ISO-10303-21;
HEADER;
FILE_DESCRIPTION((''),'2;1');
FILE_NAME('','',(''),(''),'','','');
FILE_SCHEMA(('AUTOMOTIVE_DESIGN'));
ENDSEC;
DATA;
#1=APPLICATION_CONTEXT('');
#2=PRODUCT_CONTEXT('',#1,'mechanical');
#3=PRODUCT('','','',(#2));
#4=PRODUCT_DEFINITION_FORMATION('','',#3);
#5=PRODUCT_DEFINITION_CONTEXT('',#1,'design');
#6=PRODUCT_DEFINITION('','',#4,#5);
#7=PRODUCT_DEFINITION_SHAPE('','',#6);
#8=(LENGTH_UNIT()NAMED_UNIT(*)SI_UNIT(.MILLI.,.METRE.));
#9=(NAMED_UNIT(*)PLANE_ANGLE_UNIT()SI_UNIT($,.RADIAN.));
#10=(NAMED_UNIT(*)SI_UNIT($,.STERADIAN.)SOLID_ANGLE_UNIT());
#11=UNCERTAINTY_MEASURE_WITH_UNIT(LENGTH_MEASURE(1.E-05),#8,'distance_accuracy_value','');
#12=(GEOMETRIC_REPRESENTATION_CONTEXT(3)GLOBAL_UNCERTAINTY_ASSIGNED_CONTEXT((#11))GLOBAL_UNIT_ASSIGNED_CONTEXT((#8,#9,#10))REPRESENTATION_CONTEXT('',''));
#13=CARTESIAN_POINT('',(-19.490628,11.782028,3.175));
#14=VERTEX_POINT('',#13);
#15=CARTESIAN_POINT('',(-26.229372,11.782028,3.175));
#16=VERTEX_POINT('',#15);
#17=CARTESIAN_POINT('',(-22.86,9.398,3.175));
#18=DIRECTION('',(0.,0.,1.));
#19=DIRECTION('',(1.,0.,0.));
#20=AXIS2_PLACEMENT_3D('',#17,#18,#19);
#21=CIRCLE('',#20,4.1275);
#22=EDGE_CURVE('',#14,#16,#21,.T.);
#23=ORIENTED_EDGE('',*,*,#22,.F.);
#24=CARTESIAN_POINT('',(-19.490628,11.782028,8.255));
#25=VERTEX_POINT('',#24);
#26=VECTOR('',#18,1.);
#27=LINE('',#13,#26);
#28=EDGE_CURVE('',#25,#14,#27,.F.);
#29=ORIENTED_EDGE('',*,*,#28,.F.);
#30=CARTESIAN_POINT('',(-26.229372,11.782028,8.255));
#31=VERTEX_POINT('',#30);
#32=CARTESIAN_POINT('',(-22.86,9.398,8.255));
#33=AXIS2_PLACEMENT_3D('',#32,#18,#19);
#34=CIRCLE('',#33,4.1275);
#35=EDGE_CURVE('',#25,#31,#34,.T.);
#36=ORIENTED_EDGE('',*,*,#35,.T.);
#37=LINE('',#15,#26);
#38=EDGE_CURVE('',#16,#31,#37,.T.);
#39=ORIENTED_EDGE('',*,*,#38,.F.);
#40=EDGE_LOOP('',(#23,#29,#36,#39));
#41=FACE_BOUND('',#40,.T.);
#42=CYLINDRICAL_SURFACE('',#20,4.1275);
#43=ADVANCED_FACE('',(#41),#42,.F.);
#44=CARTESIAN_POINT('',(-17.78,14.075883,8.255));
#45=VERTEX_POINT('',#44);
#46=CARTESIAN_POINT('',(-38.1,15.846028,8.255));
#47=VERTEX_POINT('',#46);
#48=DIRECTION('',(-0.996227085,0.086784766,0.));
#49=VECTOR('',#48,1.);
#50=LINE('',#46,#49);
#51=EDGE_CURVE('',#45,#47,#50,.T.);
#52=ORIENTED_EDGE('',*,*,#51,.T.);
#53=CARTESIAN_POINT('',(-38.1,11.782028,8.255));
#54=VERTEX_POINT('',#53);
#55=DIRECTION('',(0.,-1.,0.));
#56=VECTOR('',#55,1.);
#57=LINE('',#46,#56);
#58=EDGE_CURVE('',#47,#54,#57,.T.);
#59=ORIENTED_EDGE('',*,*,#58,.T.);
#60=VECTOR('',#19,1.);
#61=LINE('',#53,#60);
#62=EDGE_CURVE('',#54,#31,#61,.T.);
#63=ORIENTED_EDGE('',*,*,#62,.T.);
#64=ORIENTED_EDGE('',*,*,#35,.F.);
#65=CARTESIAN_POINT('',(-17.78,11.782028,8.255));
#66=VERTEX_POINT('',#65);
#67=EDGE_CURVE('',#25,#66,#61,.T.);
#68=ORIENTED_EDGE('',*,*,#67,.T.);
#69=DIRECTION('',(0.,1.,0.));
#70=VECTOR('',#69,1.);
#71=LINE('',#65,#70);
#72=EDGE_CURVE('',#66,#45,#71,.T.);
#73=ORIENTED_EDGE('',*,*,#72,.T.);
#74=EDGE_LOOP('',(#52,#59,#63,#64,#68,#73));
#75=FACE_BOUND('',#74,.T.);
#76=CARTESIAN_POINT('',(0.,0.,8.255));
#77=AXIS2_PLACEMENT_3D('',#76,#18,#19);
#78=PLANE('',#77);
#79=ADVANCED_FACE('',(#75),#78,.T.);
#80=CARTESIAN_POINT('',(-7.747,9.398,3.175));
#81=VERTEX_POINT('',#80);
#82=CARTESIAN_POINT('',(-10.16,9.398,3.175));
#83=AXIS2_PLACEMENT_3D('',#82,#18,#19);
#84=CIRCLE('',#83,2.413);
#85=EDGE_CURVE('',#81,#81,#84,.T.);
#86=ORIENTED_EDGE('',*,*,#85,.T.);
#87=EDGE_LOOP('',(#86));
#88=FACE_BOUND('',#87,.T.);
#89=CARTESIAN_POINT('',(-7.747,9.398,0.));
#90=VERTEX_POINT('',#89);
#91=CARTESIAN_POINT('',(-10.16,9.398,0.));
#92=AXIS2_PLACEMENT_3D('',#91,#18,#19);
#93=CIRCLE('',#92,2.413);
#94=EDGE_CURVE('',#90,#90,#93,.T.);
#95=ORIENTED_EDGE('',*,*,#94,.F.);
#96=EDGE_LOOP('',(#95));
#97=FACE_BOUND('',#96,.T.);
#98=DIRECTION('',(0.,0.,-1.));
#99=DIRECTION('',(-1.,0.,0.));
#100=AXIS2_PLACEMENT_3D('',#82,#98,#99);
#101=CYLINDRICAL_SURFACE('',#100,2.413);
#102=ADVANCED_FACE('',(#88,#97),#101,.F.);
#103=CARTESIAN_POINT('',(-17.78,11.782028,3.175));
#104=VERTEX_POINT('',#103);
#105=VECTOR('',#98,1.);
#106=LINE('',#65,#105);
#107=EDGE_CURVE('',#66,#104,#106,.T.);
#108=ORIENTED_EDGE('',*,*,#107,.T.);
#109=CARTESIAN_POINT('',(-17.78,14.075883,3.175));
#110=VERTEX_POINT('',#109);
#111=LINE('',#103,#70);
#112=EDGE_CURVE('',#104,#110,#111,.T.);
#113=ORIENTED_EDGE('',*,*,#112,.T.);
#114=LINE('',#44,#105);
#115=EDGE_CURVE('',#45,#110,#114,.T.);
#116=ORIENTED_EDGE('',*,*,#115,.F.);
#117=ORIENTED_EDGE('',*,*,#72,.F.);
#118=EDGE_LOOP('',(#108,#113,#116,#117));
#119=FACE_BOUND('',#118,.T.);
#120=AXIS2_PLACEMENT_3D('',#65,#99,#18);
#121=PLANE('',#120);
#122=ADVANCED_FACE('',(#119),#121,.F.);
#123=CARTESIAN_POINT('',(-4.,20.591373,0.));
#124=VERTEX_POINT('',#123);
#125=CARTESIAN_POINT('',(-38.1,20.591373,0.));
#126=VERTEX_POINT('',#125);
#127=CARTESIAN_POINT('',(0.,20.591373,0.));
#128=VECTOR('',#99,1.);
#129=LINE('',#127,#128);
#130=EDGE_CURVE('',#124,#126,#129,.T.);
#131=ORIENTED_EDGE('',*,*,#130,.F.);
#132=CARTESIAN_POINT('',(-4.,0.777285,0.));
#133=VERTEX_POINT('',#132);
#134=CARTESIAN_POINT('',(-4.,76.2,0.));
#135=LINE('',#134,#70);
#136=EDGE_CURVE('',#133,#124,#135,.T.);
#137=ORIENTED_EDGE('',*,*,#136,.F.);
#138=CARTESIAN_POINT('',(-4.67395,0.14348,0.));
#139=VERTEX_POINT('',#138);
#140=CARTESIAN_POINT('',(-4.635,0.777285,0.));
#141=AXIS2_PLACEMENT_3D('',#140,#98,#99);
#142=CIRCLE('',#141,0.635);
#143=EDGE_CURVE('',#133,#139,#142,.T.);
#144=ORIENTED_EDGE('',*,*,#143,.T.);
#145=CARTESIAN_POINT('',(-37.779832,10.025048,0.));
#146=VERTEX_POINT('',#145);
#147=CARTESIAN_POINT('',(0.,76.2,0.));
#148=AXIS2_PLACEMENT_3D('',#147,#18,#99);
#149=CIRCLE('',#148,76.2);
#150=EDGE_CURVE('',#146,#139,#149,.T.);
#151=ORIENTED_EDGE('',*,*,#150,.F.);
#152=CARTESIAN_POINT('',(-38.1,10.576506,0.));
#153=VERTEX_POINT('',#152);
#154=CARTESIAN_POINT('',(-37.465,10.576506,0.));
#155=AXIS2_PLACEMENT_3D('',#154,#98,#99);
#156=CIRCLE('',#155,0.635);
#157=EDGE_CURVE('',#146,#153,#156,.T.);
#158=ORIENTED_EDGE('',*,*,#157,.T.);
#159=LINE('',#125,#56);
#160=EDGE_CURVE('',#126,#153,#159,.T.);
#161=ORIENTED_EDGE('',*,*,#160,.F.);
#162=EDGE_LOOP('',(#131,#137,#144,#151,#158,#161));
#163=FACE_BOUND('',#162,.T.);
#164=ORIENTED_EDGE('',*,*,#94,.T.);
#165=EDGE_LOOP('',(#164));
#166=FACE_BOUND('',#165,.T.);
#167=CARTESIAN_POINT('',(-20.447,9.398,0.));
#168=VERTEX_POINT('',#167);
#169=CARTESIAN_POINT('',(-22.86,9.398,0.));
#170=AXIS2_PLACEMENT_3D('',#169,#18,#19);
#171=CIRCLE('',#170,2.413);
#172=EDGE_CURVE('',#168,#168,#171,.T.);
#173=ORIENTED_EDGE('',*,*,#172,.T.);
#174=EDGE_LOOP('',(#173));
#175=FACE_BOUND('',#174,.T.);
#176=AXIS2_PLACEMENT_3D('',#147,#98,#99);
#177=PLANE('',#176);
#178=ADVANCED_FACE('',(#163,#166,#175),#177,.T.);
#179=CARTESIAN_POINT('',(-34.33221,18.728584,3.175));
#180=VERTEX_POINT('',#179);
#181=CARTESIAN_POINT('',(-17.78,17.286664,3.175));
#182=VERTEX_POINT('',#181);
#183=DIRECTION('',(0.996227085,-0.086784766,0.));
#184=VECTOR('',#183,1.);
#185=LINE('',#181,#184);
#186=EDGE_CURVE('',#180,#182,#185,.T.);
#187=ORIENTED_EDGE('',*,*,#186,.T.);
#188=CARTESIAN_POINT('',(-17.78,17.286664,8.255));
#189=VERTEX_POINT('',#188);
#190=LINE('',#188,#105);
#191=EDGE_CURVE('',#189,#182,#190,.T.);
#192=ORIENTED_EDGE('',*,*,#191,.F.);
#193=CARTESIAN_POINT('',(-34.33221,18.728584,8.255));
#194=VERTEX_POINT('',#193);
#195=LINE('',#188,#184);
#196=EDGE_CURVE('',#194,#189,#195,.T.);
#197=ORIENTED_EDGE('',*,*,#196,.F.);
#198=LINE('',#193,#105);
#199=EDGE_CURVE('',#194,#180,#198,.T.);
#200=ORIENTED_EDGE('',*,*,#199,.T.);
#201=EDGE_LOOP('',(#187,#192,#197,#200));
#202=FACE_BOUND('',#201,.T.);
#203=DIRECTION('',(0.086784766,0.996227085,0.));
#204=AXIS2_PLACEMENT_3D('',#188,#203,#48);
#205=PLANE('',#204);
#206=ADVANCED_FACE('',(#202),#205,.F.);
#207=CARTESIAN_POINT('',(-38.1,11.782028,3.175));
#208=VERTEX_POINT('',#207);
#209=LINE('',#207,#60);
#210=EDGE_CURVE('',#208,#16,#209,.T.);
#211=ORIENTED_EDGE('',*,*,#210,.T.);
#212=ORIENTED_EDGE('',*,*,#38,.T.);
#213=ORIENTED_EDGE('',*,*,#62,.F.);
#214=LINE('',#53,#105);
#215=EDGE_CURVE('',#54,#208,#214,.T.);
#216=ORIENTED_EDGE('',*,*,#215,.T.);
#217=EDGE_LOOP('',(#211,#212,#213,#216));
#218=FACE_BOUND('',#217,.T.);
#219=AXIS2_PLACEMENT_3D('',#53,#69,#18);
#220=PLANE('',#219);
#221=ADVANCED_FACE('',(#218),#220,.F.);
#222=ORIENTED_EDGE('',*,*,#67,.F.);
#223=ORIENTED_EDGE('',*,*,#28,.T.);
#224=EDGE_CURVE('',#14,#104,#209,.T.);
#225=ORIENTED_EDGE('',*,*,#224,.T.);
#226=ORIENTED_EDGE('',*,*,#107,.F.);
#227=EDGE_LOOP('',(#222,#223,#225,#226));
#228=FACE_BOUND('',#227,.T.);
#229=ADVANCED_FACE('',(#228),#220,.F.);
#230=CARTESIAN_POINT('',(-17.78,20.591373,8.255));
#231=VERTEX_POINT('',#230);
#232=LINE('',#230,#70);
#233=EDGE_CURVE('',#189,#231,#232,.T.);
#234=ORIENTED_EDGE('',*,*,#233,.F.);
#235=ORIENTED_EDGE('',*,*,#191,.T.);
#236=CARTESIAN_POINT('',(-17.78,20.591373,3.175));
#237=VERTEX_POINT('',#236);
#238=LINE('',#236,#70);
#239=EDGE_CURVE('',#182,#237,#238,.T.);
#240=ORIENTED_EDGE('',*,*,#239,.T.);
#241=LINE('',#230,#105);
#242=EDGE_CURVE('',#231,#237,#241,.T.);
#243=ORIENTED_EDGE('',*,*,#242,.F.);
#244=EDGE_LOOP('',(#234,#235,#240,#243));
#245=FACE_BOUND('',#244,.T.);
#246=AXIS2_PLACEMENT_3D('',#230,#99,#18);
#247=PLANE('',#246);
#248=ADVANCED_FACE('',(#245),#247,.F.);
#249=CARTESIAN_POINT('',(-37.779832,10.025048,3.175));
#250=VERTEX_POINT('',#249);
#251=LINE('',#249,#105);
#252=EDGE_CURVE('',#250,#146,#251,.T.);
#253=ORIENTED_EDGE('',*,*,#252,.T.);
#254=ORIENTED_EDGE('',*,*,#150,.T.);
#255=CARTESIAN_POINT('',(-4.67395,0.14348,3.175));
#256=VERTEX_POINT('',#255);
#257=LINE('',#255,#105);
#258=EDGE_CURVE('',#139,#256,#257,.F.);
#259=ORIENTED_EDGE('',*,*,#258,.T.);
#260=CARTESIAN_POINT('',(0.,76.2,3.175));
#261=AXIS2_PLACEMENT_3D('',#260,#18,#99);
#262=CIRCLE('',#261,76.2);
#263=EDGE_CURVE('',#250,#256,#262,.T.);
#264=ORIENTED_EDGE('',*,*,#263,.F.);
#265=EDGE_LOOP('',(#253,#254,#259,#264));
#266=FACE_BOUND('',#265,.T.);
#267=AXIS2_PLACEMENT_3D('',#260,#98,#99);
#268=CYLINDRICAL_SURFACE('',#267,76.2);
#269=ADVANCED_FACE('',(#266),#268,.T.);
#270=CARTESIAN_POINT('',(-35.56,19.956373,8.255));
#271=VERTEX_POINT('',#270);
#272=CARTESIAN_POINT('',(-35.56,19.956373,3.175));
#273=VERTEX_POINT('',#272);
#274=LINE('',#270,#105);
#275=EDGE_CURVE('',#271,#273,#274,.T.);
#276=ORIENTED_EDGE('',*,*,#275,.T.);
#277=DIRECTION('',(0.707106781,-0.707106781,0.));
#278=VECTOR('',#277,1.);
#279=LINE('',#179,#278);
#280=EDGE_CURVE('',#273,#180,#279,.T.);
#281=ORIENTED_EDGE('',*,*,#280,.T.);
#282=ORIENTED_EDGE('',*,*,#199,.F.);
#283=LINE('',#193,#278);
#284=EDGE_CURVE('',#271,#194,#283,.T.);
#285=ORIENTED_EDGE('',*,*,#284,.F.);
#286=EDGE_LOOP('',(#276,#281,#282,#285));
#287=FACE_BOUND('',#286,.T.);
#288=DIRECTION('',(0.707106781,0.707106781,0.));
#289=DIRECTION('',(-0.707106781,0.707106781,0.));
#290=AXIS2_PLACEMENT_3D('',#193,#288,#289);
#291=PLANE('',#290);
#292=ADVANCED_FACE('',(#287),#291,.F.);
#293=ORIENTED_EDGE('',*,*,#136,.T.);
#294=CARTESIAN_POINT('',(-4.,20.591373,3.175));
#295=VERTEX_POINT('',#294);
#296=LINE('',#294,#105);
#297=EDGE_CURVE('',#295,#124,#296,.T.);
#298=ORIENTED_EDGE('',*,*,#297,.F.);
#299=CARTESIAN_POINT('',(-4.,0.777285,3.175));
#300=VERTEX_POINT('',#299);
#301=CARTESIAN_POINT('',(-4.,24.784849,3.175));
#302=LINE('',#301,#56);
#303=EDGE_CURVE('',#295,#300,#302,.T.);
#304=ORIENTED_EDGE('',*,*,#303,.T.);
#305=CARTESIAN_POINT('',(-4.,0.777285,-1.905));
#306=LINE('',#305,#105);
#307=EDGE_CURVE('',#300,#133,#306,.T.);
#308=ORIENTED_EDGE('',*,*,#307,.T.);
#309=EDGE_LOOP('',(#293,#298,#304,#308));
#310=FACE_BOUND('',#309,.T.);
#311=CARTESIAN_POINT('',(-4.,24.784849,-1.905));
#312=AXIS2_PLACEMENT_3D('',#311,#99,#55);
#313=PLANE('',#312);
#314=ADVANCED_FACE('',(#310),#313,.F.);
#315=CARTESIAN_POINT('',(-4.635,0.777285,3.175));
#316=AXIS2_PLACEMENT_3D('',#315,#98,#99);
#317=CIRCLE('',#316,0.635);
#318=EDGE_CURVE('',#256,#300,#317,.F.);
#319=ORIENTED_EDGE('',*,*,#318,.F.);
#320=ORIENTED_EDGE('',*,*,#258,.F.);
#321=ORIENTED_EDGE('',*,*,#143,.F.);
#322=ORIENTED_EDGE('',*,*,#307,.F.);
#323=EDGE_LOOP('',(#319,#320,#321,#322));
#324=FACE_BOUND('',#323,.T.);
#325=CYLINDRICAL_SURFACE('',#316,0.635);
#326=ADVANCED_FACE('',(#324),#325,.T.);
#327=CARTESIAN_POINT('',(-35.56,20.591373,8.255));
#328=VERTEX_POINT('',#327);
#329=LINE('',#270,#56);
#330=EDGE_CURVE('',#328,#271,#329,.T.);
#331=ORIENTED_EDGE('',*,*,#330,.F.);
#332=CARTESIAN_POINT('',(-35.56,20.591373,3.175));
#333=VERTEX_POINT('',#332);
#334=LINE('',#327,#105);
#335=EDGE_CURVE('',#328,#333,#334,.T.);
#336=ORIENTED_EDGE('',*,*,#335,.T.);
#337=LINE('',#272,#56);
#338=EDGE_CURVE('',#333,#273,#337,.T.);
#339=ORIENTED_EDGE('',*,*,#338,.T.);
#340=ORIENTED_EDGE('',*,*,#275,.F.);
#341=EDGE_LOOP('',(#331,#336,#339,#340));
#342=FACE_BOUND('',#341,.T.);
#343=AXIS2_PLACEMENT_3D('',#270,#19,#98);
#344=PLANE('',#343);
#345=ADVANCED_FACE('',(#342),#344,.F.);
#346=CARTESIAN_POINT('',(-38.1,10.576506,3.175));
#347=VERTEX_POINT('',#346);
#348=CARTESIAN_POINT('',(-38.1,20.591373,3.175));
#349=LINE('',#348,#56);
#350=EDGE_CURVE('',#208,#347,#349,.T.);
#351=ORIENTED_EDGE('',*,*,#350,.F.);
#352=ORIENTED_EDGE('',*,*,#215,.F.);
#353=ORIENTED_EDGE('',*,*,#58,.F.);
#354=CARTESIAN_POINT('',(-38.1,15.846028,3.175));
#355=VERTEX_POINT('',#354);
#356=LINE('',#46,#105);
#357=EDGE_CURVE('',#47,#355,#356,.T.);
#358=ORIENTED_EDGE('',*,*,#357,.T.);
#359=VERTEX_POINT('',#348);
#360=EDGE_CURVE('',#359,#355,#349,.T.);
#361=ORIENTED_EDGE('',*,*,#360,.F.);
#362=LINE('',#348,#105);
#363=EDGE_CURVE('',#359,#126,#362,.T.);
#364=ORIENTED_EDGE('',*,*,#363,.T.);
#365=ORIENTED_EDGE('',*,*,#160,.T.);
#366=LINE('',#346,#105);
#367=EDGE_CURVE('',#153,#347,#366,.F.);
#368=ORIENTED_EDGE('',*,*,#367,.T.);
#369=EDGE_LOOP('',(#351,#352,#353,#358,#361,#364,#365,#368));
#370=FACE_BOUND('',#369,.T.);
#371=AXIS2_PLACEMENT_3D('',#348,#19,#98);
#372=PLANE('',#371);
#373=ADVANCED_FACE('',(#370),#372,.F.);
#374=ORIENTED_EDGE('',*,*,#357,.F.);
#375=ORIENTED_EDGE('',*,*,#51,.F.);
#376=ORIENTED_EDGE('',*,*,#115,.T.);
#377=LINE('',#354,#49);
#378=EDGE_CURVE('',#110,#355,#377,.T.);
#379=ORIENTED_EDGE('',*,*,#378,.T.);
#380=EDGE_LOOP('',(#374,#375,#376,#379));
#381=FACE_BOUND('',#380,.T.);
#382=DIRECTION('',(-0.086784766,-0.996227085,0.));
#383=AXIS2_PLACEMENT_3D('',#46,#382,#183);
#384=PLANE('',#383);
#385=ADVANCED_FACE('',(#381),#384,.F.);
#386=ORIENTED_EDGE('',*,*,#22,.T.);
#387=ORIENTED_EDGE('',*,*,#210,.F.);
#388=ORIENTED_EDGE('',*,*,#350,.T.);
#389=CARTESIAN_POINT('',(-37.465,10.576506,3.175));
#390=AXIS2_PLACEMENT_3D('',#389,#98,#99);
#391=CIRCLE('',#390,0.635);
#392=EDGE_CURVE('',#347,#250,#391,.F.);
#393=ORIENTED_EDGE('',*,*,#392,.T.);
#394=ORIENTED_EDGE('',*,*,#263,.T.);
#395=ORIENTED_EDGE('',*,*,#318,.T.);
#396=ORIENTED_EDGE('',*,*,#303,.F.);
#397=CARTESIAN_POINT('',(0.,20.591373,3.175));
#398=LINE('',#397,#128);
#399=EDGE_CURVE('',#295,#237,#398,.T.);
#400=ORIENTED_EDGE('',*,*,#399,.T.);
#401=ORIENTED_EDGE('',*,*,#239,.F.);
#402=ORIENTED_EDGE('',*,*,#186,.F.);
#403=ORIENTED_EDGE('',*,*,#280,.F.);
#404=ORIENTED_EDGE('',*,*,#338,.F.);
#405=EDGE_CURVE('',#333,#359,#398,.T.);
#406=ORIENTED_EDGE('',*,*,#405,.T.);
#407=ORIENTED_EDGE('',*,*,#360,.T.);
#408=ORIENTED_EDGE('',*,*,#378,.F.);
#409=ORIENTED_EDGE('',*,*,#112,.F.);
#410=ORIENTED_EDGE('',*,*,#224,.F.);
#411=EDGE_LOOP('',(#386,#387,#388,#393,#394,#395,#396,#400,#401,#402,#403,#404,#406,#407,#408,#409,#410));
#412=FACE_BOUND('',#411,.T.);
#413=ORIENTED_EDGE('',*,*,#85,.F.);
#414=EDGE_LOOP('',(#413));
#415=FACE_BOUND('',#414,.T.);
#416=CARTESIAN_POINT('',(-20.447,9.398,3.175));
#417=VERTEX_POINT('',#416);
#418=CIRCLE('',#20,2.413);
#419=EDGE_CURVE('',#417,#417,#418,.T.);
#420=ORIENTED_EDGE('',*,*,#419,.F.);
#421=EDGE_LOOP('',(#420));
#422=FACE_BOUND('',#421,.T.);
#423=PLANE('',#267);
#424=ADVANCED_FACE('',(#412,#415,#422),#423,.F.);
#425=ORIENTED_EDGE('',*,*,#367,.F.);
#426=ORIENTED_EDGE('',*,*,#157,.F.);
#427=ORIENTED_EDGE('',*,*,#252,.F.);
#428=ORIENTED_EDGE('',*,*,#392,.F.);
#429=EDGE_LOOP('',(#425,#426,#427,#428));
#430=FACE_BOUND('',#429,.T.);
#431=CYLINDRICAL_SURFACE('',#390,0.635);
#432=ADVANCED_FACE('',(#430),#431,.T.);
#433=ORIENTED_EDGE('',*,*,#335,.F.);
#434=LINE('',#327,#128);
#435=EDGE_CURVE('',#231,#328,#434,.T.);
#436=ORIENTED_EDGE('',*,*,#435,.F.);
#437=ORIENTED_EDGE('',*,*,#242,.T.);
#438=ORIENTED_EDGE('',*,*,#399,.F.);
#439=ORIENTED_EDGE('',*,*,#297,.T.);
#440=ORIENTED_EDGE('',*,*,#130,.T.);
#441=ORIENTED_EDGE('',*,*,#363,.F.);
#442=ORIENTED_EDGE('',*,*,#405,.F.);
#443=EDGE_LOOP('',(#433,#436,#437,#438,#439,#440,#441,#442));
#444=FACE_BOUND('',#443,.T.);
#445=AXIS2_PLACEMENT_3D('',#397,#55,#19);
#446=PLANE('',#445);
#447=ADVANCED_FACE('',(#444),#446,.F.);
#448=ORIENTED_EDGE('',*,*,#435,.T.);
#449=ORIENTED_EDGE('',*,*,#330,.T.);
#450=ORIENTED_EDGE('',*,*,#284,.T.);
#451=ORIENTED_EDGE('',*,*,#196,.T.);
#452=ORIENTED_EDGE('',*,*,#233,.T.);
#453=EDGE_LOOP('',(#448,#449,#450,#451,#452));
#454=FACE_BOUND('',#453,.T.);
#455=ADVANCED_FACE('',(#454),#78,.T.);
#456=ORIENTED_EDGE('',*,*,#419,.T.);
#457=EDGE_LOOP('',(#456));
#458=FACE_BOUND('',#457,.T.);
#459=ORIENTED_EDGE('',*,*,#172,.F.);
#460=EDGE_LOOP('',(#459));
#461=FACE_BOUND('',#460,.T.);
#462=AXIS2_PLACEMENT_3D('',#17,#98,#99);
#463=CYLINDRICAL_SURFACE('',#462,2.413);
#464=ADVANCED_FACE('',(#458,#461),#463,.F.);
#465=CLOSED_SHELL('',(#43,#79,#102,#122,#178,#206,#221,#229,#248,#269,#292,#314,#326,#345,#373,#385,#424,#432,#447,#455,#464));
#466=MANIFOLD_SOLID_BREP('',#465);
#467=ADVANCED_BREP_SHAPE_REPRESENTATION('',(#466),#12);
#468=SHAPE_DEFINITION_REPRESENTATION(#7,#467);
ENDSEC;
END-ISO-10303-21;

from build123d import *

# Parameters (mm, degrees)
SKETCH1_R           = 2.413
BOSS_EXTRUDE1_DEPTH = 3.175
BOSS_EXTRUDE2_DEPTH = 5.08
SKETCH4_W           = 4
SKETCH4_H           = 24.78484928
CUT_EXTRUDE2_DEPTH  = 5.08
FILLET1_R           = 0.635
SKETCH5_R           = 4.1275
CUT_EXTRUDE3_DEPTH  = 5.08


with BuildPart() as part:
    # Sketch1 → Boss-Extrude1 (new body)
    with BuildSketch(Plane.XY):
        with BuildLine():
            Line((0, 20.591373255), (-38.1, 20.591373255))
            Line((-38.1, 20.591373255), (-38.1, 10.208864232))
            ThreePointArc((-38.1, 10.208864232), (-19.722011237, 2.596452037), (0, 0))
            Line((0, 0), (0, 20.591373255))
        make_face()
        with Locations((-10.16, 9.398)):
            Circle(SKETCH1_R, mode=Mode.SUBTRACT)
        with Locations((-22.86, 9.398)):
            Circle(SKETCH1_R, mode=Mode.SUBTRACT)
    extrude(amount=BOSS_EXTRUDE1_DEPTH)

    # Sketch2 → Boss-Extrude2 (add)
    with BuildSketch(Plane.XY.offset(3.175)):
        Polygon((-38.1, 15.846028276), (-17.78, 14.075883223), (-17.78, 11.782028276), (-38.1, 11.782028276), align=None)
        Polygon((-17.78, 17.286663737), (-34.332210433, 18.728583688), (-35.56, 19.956373255), (-35.56, 20.591373255), (-17.78, 20.591373255), align=None)
    extrude(amount=BOSS_EXTRUDE2_DEPTH)

    # Sketch4 → Cut-Extrude2 (cut)
    with BuildSketch(Plane.XY.offset(3.175)):
        with Locations((-2, 12.39242464)):
            Rectangle(SKETCH4_W, SKETCH4_H)
    extrude(amount=-CUT_EXTRUDE2_DEPTH, mode=Mode.SUBTRACT)

    # Fillet1
    fillet1_edges = [part.edges().sort_by_distance(p)[0] for p in [
        (-4, 0.105059301, 1.5875),
        (-38.1, 10.208864232, 1.5875),
    ]]
    fillet(fillet1_edges, radius=FILLET1_R)

    # Sketch5 → Cut-Extrude3 (cut)
    with BuildSketch(Plane.XY.offset(8.255)):
        with Locations((-22.86, 9.398)):
            Circle(SKETCH5_R)
    extrude(amount=-CUT_EXTRUDE3_DEPTH, mode=Mode.SUBTRACT)


solid = part.part
